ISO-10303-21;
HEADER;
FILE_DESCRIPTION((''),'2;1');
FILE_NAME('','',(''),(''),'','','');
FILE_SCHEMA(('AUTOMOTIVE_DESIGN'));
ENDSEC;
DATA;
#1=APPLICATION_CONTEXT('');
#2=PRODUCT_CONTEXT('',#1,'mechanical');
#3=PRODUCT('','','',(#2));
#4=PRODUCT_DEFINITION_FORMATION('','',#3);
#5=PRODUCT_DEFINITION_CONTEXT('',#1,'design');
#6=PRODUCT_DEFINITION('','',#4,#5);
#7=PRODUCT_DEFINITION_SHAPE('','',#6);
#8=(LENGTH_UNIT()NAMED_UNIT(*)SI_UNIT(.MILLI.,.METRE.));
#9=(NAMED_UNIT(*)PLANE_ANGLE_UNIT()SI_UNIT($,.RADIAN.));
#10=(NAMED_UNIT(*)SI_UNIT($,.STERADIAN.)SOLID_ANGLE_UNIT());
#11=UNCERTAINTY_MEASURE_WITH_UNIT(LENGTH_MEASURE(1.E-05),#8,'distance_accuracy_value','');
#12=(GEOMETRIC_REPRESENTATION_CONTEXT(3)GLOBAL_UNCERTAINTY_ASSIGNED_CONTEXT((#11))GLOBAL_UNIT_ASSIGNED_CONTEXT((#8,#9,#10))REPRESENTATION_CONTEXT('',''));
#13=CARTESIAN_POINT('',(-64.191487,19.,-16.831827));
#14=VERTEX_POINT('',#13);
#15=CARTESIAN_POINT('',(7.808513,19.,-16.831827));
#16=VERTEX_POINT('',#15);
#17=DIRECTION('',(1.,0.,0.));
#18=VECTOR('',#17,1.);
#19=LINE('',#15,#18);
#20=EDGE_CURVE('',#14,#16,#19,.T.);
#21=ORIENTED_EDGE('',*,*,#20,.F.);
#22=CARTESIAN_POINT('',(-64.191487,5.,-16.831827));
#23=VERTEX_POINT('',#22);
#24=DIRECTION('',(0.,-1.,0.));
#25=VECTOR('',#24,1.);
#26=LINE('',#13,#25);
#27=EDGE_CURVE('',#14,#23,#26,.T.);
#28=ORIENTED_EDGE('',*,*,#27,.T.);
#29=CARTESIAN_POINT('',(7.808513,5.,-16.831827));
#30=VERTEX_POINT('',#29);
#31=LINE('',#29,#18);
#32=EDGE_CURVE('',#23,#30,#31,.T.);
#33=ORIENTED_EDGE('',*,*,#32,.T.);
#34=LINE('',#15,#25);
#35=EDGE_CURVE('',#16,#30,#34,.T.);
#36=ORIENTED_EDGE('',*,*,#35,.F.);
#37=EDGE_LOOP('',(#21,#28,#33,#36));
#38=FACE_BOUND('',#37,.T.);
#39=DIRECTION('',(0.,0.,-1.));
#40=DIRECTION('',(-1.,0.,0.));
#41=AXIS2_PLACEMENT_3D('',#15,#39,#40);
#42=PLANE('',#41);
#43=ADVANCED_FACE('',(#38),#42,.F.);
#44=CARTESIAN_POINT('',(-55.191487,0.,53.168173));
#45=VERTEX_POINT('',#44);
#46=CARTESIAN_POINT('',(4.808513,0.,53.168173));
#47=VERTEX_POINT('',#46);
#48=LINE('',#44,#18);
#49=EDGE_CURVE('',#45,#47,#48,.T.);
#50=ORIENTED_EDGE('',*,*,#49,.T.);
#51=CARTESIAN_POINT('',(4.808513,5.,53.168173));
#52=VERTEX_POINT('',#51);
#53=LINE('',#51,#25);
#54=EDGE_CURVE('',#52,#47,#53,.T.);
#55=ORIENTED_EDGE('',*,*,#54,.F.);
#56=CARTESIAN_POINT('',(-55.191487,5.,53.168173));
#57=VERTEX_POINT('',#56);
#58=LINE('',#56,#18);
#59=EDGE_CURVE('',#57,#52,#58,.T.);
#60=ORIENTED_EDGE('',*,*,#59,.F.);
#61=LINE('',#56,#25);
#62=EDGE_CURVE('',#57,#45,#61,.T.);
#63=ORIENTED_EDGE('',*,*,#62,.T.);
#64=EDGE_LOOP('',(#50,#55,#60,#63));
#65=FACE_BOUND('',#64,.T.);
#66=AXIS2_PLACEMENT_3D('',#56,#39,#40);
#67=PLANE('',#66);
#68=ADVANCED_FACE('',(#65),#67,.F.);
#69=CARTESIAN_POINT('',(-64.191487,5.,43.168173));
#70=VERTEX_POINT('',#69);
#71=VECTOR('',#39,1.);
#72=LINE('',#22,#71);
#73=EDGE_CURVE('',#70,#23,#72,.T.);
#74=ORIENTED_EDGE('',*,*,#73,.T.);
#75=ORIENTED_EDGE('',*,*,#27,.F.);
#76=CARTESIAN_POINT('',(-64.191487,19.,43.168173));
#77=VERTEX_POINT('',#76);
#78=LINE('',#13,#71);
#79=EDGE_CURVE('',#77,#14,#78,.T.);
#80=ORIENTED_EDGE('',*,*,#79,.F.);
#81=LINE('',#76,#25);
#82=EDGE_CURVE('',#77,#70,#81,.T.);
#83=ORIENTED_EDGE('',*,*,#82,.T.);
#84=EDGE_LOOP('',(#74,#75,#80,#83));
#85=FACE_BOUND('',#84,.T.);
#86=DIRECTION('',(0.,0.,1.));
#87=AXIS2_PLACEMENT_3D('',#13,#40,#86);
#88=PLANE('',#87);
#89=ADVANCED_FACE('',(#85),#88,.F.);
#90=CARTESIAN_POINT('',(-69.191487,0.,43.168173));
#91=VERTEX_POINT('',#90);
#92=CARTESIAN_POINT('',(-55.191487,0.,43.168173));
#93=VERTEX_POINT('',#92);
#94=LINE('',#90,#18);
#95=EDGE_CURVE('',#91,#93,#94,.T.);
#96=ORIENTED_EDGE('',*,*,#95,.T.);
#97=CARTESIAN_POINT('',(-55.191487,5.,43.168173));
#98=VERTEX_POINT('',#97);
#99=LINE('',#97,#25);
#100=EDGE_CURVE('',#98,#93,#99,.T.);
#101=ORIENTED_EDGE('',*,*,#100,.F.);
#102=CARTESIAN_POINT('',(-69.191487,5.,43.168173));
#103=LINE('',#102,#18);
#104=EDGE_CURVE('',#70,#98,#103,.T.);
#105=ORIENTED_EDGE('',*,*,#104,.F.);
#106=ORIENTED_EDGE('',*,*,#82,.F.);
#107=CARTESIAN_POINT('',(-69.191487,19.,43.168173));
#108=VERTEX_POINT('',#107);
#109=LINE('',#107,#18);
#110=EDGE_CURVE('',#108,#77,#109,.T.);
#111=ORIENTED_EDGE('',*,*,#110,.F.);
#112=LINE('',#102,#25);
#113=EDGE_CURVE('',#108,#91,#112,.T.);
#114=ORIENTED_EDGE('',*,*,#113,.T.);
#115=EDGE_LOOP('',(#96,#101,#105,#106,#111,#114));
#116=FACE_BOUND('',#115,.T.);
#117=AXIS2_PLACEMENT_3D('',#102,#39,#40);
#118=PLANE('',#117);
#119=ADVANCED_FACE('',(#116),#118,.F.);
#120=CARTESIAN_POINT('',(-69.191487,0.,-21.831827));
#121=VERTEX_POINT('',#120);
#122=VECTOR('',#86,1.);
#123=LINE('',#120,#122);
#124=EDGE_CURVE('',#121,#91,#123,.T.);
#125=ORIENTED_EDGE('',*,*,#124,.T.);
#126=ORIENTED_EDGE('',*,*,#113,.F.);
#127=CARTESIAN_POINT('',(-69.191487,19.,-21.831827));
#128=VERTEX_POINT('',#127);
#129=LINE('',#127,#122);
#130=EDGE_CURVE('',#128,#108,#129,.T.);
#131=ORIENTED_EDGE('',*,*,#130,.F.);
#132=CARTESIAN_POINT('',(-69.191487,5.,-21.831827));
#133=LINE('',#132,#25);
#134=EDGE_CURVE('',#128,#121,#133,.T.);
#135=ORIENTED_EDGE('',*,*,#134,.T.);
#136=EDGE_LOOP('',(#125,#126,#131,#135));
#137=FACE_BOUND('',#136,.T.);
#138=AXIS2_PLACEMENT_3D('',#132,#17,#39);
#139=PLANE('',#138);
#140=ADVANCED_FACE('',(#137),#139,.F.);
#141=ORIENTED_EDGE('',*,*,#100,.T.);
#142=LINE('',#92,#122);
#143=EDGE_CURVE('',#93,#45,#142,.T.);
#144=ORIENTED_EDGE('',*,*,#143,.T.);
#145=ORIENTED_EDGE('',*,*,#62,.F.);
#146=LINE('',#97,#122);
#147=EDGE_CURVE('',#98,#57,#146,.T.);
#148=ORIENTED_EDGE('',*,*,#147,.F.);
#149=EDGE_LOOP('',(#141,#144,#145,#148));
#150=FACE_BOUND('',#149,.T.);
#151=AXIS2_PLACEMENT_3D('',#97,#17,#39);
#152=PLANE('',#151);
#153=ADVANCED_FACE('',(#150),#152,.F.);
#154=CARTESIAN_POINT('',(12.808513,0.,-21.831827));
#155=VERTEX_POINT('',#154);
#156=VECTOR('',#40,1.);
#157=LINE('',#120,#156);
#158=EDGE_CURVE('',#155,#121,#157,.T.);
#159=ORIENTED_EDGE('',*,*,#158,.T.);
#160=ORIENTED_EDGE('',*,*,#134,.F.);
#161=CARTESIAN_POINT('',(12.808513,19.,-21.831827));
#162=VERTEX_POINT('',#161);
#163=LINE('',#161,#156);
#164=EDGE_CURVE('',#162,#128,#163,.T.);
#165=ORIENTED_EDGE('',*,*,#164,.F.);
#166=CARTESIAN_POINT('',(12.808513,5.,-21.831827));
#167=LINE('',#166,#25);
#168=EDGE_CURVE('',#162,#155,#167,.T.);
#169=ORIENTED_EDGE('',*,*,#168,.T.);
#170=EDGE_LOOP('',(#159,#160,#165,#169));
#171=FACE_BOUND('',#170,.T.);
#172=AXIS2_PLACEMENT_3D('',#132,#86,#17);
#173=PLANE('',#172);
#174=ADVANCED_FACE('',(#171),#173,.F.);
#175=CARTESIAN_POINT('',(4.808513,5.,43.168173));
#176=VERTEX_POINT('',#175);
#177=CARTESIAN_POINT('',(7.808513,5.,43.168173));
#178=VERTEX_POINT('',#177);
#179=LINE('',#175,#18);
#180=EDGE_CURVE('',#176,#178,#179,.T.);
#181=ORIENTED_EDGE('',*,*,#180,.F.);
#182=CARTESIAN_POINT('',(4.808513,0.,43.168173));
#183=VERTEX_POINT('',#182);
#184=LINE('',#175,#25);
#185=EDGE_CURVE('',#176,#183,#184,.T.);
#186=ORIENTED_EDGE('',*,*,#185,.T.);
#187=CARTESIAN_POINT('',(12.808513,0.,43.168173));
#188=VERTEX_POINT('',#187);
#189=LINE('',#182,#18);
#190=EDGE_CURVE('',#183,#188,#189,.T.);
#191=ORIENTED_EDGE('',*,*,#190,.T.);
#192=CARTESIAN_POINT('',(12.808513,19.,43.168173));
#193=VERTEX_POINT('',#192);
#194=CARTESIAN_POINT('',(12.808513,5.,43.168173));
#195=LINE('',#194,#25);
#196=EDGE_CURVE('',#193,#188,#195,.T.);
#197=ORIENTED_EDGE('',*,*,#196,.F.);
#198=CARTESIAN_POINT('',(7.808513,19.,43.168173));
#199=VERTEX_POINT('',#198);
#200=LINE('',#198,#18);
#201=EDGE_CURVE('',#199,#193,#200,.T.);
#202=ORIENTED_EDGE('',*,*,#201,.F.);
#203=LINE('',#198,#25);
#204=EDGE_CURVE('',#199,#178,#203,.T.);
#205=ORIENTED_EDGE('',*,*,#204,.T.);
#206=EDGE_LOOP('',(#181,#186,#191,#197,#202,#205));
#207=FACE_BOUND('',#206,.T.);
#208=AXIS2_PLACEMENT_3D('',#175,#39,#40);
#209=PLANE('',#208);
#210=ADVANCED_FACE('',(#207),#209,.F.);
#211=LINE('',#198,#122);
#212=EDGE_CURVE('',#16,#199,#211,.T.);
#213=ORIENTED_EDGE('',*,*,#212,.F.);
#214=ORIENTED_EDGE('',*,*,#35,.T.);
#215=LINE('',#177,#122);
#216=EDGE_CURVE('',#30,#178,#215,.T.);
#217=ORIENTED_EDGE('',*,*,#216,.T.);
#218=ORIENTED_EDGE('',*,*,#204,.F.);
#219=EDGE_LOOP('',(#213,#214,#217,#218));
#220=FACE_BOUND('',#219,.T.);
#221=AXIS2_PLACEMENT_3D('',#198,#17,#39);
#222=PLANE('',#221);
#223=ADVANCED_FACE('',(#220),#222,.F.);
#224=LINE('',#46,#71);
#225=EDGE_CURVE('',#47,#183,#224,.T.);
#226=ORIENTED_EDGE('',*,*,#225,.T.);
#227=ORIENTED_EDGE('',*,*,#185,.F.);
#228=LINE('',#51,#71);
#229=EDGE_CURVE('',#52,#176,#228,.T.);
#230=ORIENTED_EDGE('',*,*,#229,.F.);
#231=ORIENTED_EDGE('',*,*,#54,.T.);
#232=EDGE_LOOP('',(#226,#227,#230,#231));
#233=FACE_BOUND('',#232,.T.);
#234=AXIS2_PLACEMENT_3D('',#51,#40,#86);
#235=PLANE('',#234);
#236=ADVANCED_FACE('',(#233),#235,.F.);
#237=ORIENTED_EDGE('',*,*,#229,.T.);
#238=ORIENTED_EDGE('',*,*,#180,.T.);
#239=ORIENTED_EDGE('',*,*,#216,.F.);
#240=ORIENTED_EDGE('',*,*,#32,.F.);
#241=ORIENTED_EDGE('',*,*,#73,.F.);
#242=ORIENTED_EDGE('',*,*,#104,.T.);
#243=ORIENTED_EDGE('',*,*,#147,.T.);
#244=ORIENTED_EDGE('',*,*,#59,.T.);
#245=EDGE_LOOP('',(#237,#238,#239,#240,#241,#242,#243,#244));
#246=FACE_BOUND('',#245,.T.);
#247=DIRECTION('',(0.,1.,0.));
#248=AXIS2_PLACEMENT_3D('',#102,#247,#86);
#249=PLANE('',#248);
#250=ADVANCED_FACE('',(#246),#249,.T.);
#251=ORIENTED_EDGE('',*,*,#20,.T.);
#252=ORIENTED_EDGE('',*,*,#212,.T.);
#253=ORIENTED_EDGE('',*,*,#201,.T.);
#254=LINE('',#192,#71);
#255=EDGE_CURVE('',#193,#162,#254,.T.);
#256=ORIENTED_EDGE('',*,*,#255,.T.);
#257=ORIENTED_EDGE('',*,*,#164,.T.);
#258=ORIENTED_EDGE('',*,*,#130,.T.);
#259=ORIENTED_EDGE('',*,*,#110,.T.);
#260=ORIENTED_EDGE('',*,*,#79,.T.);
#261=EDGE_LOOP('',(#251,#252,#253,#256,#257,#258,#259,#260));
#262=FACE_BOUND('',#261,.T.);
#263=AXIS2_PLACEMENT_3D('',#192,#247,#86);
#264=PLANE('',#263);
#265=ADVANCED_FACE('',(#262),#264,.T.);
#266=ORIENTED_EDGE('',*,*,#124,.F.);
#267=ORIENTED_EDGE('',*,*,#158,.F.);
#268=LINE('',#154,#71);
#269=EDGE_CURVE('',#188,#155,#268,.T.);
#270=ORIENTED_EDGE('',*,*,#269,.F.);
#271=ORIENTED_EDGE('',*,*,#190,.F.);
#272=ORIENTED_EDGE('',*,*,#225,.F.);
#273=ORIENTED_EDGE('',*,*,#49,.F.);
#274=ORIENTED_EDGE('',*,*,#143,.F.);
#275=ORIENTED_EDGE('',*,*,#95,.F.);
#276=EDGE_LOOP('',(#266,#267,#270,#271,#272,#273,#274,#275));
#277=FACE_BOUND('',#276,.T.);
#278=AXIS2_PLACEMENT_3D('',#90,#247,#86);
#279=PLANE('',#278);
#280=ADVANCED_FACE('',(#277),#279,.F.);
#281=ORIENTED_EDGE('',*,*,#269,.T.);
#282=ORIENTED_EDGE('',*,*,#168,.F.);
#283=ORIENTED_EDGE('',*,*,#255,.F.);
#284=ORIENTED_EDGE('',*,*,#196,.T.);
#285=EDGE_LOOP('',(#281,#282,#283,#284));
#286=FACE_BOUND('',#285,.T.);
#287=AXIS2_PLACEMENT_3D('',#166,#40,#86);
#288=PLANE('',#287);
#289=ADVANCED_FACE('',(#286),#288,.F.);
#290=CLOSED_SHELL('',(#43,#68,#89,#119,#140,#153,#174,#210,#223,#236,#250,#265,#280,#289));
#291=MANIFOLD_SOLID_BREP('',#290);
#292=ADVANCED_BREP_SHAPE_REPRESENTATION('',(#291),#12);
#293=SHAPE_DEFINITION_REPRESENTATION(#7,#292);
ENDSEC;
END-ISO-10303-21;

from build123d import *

# Parameters (mm, degrees)
EXTRUSION1_DEPTH = 5
EXTRUSION2_DEPTH = 14


with BuildPart() as part:
    # Esquisse1 → Extrusion1 (new body)
    with BuildSketch(Plane(origin=(0, 0, 0), x_dir=(1, 0, 0), z_dir=(0, 1, 0))):
        Polygon((-69.191486621, -43.16817348), (-55.191486621, -43.16817348), (-55.191486621, -53.16817348), (4.808513379, -53.16817348), (4.808513379, -43.16817348), (12.808513379, -43.16817348), (12.808513379, 21.83182652), (-69.191486621, 21.83182652), align=None)
    extrude(amount=EXTRUSION1_DEPTH)

    # Esquisse2 → Extrusion2 (add)
    with BuildSketch(Plane(origin=(0, 5, 0), x_dir=(1, 0, 0), z_dir=(0, 1, 0))):
        Polygon((12.808513379, -43.16817348), (12.808513379, 21.83182652), (-69.191486621, 21.83182652), (-69.191486621, -43.16817348), (-64.191486621, -43.16817348), (-64.191486621, 16.83182652), (7.808513379, 16.83182652), (7.808513379, -43.16817348), align=None)
    extrude(amount=EXTRUSION2_DEPTH)


solid = part.part
